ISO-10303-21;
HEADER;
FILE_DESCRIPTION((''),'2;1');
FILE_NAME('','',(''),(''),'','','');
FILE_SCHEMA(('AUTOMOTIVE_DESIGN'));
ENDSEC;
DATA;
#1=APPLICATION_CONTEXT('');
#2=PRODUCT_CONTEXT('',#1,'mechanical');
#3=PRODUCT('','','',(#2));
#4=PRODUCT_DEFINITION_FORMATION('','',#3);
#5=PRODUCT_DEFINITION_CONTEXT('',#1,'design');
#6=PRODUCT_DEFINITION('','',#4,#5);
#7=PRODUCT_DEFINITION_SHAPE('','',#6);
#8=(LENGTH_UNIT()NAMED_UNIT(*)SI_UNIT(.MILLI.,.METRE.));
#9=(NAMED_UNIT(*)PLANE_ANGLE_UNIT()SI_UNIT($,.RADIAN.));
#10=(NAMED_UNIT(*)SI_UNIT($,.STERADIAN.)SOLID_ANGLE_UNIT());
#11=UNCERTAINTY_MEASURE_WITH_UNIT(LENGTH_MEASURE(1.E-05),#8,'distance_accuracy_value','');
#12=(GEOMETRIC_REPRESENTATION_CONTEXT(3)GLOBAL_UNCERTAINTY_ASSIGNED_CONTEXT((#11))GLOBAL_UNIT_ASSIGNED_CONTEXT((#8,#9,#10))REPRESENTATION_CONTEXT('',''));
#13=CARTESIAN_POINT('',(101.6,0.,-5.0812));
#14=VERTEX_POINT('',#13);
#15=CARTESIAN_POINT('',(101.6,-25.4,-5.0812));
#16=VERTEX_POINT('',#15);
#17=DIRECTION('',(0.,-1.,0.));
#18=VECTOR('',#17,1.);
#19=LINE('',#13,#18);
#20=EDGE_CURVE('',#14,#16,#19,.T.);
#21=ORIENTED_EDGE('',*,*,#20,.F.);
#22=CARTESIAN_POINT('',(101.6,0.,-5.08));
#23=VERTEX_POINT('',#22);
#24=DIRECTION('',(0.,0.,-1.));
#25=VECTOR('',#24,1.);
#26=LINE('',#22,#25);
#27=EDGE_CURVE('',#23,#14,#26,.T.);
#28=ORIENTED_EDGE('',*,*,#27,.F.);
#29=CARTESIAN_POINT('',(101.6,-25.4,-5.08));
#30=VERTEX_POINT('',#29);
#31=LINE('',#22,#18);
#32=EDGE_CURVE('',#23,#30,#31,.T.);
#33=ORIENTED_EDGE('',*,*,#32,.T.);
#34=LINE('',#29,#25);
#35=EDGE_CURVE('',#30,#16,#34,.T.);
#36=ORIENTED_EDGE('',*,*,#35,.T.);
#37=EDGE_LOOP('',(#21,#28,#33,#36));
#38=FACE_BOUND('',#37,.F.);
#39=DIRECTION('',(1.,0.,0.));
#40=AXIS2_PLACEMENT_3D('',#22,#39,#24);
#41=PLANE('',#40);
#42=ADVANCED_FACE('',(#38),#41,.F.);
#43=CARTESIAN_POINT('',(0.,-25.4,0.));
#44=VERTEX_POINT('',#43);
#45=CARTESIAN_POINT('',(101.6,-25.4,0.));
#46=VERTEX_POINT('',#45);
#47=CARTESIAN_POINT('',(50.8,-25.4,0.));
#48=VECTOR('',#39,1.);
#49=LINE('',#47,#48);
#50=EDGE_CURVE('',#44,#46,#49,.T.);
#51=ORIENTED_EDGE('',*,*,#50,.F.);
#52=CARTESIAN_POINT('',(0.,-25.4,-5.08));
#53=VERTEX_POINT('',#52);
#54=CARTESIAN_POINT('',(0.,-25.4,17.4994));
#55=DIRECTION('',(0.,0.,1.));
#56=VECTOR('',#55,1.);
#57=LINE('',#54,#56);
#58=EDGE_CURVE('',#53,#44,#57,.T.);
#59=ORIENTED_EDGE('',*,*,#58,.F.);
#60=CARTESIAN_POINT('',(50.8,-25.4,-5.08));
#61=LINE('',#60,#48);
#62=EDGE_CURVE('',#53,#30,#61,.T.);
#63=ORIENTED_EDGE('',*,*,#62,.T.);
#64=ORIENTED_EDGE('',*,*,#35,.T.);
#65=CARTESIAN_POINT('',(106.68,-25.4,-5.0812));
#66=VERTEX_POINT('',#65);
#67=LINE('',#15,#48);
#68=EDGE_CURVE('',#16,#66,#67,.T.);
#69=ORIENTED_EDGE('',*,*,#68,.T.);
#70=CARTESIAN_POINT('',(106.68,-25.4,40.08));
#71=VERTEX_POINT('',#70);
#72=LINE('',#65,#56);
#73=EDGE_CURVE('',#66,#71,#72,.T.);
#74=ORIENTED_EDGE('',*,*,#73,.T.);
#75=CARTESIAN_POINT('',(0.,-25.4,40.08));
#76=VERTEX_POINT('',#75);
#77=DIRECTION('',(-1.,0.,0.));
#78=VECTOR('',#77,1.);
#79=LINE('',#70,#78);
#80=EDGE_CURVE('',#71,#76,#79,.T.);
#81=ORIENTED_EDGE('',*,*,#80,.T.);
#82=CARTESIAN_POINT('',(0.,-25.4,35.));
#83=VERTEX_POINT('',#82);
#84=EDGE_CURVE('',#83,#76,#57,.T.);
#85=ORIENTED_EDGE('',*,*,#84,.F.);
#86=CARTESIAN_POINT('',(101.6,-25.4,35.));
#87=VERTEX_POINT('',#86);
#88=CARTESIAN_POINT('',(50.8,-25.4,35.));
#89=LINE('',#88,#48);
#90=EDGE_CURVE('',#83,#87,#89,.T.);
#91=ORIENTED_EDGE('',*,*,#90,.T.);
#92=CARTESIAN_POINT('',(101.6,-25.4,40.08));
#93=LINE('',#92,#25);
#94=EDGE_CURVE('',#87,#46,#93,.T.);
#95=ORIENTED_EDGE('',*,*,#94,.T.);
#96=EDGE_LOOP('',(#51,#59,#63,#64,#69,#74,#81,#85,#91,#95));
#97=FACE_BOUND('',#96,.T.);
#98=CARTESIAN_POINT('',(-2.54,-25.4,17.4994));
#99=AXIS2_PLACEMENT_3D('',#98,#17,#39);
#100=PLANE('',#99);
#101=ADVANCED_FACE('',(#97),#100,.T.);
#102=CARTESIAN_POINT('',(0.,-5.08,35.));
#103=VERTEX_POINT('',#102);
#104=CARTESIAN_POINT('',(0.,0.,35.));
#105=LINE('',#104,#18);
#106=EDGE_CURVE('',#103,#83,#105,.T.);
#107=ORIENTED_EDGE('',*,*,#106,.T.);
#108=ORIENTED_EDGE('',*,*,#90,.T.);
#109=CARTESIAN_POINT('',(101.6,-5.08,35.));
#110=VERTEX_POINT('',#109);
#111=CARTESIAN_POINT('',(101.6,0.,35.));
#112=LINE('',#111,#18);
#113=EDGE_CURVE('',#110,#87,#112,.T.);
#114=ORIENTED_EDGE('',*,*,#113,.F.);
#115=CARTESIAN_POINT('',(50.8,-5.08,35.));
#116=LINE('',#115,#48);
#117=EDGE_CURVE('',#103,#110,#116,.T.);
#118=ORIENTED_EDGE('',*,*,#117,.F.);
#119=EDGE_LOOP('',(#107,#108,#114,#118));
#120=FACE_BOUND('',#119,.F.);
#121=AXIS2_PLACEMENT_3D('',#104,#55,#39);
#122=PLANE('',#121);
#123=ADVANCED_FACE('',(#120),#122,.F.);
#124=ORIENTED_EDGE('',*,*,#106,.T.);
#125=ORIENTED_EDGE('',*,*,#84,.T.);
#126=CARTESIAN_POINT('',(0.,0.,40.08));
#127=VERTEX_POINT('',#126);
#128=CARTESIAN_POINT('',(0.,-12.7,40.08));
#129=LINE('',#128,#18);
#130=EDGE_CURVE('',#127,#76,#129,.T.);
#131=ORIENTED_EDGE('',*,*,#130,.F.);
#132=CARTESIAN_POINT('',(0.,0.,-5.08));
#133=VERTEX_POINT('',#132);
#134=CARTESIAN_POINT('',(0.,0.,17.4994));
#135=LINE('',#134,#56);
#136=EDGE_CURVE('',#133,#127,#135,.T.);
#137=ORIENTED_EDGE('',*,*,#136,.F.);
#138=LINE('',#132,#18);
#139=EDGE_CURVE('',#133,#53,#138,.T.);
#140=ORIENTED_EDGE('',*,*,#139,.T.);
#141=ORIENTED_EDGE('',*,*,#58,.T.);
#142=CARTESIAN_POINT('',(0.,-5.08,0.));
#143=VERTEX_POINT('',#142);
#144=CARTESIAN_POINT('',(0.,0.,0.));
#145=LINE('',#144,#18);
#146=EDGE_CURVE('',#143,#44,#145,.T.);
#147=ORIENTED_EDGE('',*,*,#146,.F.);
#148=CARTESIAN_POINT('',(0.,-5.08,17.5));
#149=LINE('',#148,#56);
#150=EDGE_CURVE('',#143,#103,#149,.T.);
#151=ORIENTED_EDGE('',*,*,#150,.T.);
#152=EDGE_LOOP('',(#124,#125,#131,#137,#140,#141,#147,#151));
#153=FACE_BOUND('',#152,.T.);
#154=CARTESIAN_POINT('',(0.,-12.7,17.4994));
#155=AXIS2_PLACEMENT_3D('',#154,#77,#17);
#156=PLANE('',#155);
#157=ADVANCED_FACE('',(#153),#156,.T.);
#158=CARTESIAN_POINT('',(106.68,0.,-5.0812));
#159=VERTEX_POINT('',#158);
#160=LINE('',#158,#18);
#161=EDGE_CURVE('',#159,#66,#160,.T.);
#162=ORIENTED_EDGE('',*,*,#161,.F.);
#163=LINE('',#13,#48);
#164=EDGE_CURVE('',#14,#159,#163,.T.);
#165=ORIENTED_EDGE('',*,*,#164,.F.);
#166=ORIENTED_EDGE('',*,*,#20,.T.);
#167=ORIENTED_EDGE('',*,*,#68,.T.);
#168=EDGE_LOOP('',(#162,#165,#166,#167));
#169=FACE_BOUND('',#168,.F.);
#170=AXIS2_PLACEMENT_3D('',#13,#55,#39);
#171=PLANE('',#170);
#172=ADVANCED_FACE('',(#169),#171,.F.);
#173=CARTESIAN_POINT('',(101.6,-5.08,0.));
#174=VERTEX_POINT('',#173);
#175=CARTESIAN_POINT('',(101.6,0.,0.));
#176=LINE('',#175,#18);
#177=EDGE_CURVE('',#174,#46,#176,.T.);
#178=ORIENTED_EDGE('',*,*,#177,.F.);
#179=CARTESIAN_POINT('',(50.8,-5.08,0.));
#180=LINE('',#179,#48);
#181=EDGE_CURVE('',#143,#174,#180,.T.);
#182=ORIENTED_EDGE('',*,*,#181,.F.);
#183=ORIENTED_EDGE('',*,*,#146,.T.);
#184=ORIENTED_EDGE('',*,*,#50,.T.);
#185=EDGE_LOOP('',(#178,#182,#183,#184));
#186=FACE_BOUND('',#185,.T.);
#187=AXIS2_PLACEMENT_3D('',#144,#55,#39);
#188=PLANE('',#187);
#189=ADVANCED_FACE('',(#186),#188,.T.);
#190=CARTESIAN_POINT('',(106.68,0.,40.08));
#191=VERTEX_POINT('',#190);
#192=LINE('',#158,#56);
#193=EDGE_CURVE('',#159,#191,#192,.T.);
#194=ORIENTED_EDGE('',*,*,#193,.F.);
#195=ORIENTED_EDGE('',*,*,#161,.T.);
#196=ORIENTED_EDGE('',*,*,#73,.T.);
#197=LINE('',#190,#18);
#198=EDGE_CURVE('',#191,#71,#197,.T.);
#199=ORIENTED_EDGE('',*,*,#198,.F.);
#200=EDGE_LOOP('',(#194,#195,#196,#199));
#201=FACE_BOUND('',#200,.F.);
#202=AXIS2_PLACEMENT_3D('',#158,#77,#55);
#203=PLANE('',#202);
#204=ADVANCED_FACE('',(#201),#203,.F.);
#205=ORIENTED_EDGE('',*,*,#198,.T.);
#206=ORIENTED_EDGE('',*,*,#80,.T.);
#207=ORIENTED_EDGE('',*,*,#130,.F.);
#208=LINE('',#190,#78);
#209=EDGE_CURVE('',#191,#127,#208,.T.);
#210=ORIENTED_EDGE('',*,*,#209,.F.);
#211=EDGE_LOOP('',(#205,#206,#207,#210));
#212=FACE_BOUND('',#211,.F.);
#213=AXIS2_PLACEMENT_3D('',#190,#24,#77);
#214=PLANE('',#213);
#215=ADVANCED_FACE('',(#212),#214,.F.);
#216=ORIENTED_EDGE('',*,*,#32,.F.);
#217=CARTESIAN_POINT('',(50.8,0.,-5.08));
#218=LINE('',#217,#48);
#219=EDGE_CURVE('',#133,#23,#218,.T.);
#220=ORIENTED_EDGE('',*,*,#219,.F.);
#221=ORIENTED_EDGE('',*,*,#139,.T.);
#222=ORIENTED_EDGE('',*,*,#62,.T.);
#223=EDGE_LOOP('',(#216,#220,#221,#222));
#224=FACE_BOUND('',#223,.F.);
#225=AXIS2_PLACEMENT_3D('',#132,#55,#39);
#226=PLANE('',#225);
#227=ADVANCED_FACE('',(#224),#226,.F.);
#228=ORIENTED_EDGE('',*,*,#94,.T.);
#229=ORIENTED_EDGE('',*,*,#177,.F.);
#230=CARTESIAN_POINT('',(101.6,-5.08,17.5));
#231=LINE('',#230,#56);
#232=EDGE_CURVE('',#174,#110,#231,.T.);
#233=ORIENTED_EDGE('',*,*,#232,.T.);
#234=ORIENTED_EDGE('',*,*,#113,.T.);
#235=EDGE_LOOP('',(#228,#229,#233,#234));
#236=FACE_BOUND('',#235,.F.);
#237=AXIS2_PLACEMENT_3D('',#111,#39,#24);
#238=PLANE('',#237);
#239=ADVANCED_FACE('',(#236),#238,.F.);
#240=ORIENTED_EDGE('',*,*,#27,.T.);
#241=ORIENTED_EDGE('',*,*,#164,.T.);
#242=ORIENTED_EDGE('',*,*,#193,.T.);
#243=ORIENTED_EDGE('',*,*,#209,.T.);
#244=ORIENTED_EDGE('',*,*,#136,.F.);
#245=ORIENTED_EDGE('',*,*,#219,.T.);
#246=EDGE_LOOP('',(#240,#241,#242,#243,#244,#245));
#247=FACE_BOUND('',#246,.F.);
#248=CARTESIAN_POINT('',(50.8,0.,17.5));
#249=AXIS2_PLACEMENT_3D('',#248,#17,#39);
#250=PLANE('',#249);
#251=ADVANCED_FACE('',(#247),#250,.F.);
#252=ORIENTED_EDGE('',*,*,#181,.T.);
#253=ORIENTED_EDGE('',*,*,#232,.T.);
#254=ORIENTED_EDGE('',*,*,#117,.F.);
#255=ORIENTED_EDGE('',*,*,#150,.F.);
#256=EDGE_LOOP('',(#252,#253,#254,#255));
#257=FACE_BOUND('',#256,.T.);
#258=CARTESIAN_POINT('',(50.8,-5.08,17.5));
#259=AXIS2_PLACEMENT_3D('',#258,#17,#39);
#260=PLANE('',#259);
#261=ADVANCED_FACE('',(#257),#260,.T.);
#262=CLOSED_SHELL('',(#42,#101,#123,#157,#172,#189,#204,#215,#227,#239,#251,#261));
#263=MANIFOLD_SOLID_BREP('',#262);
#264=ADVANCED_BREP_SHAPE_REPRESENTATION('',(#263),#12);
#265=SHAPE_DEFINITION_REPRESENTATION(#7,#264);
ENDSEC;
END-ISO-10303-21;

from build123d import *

# Parameters (mm, degrees)
F0_W      = 101.6
F0_H      = 5.08
F1_DEPTH  = 25.4
F0_H_2    = 35
F2_DEPTH  = 5.08
F1_FACE_W = 25.4
F1_FACE_H = 45.1612
F3_DEPTH  = 5.08


with BuildPart() as f1:
    # F0 (on Front) → F1 (new body)
    with BuildSketch(Plane.XZ):
        Polygon((0, -5.08), (0, 0), (0, 35), (0, 40.08), (-5.08, 40.08), (-5.08, -5.0812), (0, -5.0812), align=None)
        with Locations((50.8, -2.54)):
            Rectangle(F0_W, F0_H)
        Polygon((101.6, 35), (101.6, 0), (101.6, -5.08), (101.6, -5.0812), (106.68, -5.0812), (106.68, 40.08), (101.6, 40.08), align=None)
        with Locations((50.8, 37.54)):
            Rectangle(F0_W, F0_H)
    extrude(amount=F1_DEPTH)

    # F0 (on Front) → F2 (join)
    with BuildSketch(Plane.XZ):
        with Locations((50.8, 17.5)):
            Rectangle(F0_W, F0_H_2)
    extrude(amount=F2_DEPTH)

    # F1_face (on face) → F3 (cut)
    with BuildSketch(Plane(origin=(-5.08, -12.7, 17.4994), x_dir=(0, -1, 0), z_dir=(-1, 0, 0))):
        Rectangle(F1_FACE_W, F1_FACE_H)
    extrude(amount=-F3_DEPTH, mode=Mode.SUBTRACT)


solid = f1.part
